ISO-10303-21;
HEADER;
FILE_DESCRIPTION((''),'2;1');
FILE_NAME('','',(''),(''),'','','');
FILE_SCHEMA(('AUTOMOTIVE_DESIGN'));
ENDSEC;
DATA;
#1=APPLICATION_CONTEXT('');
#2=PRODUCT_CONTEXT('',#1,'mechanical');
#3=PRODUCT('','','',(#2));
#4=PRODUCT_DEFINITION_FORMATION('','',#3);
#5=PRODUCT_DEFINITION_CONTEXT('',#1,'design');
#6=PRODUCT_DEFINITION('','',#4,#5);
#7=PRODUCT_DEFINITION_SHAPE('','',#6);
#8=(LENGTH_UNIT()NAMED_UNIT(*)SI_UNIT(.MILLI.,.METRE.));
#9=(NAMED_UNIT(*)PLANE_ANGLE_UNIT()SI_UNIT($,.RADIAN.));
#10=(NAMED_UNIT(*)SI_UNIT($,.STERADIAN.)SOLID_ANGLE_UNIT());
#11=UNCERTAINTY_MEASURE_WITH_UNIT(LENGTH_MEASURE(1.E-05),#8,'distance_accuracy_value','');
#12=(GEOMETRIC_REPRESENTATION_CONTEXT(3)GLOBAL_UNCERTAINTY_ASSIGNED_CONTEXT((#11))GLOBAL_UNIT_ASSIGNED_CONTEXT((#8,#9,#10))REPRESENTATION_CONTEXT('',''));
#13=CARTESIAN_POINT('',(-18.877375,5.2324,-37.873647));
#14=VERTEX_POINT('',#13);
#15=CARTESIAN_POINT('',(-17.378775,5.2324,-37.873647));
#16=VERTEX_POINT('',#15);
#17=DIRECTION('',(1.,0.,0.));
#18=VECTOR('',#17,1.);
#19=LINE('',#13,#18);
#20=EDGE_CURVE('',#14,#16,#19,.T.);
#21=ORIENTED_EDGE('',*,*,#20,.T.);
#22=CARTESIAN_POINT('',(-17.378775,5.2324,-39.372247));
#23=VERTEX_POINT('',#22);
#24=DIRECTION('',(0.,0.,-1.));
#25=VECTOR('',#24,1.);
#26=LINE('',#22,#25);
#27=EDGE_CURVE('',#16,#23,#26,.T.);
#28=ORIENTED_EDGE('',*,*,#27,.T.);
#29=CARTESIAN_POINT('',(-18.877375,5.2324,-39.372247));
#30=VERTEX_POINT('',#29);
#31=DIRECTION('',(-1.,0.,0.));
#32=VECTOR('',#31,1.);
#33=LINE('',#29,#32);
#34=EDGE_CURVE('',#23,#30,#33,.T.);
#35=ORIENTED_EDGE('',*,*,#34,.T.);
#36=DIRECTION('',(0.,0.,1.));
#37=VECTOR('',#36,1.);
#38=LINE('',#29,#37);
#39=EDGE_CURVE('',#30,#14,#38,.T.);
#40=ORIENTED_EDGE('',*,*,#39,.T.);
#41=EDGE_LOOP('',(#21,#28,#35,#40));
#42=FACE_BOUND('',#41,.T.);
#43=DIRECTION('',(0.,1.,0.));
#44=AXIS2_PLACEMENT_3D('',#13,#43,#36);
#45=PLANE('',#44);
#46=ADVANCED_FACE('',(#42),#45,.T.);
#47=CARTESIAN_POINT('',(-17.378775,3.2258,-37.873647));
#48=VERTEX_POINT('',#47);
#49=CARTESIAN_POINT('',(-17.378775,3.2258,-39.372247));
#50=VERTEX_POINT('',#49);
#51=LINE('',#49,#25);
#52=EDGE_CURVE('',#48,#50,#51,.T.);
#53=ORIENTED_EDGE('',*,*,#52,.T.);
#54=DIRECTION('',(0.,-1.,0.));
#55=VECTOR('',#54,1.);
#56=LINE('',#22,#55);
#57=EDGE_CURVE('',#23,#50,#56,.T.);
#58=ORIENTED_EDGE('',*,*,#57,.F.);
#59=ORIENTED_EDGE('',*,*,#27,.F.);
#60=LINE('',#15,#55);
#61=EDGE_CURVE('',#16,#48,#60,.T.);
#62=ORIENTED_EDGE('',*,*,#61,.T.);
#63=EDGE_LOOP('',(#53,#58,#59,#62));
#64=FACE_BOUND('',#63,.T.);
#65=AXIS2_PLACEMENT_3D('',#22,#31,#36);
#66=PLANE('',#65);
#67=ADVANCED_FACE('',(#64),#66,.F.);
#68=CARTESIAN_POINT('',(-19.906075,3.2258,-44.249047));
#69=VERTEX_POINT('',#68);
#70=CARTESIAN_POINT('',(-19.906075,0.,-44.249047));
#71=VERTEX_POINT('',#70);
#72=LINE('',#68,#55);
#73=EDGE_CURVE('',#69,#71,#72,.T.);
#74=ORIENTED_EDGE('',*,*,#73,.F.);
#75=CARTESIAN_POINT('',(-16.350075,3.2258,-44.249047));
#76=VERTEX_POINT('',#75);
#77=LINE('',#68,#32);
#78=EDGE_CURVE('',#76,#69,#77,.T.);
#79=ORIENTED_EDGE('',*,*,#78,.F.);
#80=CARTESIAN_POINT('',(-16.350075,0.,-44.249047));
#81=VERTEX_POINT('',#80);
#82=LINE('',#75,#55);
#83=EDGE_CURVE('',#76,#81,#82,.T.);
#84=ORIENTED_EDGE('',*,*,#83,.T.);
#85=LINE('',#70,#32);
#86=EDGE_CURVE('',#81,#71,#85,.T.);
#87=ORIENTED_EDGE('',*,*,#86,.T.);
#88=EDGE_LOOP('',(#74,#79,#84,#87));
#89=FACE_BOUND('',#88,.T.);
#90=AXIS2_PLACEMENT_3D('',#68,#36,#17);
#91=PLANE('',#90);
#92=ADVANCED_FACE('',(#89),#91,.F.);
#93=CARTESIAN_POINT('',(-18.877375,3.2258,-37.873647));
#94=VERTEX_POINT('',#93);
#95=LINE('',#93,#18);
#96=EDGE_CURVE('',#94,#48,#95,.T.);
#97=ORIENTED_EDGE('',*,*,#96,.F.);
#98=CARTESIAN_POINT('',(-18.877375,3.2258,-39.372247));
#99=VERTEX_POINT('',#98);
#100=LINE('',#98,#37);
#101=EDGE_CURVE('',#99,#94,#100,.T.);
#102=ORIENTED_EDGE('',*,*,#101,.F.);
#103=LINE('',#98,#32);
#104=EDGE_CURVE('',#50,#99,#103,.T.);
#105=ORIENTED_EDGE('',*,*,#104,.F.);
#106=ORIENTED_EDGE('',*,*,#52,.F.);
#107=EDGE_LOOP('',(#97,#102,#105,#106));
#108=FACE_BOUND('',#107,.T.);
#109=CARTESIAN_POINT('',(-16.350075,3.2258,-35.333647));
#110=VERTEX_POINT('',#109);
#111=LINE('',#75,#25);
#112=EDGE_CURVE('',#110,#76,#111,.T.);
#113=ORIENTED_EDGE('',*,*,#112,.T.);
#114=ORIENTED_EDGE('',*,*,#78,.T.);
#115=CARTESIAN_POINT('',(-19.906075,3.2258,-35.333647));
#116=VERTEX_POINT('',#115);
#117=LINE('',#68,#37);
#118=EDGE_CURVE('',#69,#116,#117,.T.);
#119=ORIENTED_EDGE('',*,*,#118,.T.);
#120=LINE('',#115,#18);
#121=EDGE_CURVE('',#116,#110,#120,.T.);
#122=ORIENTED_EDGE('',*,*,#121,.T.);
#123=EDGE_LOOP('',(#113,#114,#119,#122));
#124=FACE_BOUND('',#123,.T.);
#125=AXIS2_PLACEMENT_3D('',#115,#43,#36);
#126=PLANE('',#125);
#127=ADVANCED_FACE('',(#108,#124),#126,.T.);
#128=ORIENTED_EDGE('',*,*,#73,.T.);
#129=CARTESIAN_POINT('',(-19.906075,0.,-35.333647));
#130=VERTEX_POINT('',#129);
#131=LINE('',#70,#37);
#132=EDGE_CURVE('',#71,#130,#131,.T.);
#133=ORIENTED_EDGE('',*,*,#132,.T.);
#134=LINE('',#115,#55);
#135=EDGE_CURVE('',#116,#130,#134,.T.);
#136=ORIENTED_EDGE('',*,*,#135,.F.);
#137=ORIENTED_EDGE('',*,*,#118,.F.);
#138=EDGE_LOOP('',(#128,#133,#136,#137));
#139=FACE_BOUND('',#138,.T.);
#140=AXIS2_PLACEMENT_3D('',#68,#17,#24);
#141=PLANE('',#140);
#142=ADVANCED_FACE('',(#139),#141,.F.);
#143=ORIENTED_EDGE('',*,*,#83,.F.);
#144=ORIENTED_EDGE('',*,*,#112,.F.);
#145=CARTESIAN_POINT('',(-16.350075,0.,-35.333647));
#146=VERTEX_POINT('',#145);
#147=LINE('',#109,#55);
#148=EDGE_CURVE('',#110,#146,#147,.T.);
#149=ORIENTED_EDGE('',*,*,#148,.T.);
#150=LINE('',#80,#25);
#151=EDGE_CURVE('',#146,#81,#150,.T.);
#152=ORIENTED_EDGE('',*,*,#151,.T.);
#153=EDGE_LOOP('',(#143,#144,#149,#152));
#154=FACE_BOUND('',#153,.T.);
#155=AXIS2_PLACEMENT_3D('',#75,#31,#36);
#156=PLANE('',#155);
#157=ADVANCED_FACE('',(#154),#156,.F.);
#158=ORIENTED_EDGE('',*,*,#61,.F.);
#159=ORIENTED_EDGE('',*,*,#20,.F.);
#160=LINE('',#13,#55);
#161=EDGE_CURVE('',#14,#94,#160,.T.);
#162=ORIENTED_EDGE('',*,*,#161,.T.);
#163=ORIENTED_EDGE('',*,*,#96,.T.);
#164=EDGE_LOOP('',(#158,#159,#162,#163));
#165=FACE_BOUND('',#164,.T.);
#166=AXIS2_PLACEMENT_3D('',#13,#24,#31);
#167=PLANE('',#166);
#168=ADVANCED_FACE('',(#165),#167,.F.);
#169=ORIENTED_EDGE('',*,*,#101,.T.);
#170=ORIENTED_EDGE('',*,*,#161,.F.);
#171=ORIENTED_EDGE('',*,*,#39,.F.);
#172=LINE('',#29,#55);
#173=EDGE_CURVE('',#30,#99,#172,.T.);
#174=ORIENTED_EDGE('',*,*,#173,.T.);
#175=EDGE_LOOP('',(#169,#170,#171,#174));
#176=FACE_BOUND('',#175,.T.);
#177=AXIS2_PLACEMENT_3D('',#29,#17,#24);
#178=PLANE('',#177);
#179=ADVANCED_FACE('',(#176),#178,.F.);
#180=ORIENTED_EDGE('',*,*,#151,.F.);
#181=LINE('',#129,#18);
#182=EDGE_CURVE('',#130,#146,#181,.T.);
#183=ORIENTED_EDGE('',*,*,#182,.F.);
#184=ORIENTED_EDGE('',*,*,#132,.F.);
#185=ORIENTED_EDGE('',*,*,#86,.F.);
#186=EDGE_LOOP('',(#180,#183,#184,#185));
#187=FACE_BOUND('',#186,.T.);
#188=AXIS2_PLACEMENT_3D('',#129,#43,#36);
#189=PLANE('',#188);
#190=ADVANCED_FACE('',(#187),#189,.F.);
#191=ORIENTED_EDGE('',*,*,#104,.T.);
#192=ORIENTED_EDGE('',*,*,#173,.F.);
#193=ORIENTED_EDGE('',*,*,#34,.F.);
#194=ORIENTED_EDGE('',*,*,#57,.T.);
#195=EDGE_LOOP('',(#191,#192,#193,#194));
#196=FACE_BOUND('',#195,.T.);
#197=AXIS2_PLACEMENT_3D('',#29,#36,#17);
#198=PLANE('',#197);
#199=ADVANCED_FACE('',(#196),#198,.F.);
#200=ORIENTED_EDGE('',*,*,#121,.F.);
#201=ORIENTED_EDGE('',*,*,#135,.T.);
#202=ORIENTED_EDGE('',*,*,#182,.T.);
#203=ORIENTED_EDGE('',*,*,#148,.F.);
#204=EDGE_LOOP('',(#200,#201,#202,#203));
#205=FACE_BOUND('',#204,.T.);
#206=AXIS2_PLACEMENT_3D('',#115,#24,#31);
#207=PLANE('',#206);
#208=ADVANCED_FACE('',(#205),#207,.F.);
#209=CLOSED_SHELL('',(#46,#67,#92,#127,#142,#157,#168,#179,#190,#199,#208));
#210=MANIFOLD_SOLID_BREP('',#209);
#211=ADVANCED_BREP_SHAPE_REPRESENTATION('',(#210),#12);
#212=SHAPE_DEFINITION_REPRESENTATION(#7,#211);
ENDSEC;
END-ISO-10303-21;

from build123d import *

# Parameters (mm, degrees)
SKETCH1_W           = 3.556
SKETCH1_H           = 8.9154
BOSS_EXTRUDE1_DEPTH = 3.2258
SKETCH2_W           = 1.4986
SKETCH2_H           = 1.4986
BOSS_EXTRUDE2_DEPTH = 2.0066


with BuildPart() as part:
    # Sketch1 → Boss-Extrude1 (new body)
    with BuildSketch(Plane(origin=(0, 0, 0), x_dir=(1, 0, 0), z_dir=(0, 1, 0))):
        with Locations((-18.128075232, 39.791346752)):
            Rectangle(SKETCH1_W, SKETCH1_H)
    extrude(amount=BOSS_EXTRUDE1_DEPTH)

    # Sketch2 → Boss-Extrude2 (add)
    with BuildSketch(Plane(origin=(0, 3.2258, 0), x_dir=(1, 0, 0), z_dir=(0, 1, 0))):
        with Locations((-18.128075232, 38.622946752)):
            Rectangle(SKETCH2_W, SKETCH2_H)
    extrude(amount=BOSS_EXTRUDE2_DEPTH)


solid = part.part
